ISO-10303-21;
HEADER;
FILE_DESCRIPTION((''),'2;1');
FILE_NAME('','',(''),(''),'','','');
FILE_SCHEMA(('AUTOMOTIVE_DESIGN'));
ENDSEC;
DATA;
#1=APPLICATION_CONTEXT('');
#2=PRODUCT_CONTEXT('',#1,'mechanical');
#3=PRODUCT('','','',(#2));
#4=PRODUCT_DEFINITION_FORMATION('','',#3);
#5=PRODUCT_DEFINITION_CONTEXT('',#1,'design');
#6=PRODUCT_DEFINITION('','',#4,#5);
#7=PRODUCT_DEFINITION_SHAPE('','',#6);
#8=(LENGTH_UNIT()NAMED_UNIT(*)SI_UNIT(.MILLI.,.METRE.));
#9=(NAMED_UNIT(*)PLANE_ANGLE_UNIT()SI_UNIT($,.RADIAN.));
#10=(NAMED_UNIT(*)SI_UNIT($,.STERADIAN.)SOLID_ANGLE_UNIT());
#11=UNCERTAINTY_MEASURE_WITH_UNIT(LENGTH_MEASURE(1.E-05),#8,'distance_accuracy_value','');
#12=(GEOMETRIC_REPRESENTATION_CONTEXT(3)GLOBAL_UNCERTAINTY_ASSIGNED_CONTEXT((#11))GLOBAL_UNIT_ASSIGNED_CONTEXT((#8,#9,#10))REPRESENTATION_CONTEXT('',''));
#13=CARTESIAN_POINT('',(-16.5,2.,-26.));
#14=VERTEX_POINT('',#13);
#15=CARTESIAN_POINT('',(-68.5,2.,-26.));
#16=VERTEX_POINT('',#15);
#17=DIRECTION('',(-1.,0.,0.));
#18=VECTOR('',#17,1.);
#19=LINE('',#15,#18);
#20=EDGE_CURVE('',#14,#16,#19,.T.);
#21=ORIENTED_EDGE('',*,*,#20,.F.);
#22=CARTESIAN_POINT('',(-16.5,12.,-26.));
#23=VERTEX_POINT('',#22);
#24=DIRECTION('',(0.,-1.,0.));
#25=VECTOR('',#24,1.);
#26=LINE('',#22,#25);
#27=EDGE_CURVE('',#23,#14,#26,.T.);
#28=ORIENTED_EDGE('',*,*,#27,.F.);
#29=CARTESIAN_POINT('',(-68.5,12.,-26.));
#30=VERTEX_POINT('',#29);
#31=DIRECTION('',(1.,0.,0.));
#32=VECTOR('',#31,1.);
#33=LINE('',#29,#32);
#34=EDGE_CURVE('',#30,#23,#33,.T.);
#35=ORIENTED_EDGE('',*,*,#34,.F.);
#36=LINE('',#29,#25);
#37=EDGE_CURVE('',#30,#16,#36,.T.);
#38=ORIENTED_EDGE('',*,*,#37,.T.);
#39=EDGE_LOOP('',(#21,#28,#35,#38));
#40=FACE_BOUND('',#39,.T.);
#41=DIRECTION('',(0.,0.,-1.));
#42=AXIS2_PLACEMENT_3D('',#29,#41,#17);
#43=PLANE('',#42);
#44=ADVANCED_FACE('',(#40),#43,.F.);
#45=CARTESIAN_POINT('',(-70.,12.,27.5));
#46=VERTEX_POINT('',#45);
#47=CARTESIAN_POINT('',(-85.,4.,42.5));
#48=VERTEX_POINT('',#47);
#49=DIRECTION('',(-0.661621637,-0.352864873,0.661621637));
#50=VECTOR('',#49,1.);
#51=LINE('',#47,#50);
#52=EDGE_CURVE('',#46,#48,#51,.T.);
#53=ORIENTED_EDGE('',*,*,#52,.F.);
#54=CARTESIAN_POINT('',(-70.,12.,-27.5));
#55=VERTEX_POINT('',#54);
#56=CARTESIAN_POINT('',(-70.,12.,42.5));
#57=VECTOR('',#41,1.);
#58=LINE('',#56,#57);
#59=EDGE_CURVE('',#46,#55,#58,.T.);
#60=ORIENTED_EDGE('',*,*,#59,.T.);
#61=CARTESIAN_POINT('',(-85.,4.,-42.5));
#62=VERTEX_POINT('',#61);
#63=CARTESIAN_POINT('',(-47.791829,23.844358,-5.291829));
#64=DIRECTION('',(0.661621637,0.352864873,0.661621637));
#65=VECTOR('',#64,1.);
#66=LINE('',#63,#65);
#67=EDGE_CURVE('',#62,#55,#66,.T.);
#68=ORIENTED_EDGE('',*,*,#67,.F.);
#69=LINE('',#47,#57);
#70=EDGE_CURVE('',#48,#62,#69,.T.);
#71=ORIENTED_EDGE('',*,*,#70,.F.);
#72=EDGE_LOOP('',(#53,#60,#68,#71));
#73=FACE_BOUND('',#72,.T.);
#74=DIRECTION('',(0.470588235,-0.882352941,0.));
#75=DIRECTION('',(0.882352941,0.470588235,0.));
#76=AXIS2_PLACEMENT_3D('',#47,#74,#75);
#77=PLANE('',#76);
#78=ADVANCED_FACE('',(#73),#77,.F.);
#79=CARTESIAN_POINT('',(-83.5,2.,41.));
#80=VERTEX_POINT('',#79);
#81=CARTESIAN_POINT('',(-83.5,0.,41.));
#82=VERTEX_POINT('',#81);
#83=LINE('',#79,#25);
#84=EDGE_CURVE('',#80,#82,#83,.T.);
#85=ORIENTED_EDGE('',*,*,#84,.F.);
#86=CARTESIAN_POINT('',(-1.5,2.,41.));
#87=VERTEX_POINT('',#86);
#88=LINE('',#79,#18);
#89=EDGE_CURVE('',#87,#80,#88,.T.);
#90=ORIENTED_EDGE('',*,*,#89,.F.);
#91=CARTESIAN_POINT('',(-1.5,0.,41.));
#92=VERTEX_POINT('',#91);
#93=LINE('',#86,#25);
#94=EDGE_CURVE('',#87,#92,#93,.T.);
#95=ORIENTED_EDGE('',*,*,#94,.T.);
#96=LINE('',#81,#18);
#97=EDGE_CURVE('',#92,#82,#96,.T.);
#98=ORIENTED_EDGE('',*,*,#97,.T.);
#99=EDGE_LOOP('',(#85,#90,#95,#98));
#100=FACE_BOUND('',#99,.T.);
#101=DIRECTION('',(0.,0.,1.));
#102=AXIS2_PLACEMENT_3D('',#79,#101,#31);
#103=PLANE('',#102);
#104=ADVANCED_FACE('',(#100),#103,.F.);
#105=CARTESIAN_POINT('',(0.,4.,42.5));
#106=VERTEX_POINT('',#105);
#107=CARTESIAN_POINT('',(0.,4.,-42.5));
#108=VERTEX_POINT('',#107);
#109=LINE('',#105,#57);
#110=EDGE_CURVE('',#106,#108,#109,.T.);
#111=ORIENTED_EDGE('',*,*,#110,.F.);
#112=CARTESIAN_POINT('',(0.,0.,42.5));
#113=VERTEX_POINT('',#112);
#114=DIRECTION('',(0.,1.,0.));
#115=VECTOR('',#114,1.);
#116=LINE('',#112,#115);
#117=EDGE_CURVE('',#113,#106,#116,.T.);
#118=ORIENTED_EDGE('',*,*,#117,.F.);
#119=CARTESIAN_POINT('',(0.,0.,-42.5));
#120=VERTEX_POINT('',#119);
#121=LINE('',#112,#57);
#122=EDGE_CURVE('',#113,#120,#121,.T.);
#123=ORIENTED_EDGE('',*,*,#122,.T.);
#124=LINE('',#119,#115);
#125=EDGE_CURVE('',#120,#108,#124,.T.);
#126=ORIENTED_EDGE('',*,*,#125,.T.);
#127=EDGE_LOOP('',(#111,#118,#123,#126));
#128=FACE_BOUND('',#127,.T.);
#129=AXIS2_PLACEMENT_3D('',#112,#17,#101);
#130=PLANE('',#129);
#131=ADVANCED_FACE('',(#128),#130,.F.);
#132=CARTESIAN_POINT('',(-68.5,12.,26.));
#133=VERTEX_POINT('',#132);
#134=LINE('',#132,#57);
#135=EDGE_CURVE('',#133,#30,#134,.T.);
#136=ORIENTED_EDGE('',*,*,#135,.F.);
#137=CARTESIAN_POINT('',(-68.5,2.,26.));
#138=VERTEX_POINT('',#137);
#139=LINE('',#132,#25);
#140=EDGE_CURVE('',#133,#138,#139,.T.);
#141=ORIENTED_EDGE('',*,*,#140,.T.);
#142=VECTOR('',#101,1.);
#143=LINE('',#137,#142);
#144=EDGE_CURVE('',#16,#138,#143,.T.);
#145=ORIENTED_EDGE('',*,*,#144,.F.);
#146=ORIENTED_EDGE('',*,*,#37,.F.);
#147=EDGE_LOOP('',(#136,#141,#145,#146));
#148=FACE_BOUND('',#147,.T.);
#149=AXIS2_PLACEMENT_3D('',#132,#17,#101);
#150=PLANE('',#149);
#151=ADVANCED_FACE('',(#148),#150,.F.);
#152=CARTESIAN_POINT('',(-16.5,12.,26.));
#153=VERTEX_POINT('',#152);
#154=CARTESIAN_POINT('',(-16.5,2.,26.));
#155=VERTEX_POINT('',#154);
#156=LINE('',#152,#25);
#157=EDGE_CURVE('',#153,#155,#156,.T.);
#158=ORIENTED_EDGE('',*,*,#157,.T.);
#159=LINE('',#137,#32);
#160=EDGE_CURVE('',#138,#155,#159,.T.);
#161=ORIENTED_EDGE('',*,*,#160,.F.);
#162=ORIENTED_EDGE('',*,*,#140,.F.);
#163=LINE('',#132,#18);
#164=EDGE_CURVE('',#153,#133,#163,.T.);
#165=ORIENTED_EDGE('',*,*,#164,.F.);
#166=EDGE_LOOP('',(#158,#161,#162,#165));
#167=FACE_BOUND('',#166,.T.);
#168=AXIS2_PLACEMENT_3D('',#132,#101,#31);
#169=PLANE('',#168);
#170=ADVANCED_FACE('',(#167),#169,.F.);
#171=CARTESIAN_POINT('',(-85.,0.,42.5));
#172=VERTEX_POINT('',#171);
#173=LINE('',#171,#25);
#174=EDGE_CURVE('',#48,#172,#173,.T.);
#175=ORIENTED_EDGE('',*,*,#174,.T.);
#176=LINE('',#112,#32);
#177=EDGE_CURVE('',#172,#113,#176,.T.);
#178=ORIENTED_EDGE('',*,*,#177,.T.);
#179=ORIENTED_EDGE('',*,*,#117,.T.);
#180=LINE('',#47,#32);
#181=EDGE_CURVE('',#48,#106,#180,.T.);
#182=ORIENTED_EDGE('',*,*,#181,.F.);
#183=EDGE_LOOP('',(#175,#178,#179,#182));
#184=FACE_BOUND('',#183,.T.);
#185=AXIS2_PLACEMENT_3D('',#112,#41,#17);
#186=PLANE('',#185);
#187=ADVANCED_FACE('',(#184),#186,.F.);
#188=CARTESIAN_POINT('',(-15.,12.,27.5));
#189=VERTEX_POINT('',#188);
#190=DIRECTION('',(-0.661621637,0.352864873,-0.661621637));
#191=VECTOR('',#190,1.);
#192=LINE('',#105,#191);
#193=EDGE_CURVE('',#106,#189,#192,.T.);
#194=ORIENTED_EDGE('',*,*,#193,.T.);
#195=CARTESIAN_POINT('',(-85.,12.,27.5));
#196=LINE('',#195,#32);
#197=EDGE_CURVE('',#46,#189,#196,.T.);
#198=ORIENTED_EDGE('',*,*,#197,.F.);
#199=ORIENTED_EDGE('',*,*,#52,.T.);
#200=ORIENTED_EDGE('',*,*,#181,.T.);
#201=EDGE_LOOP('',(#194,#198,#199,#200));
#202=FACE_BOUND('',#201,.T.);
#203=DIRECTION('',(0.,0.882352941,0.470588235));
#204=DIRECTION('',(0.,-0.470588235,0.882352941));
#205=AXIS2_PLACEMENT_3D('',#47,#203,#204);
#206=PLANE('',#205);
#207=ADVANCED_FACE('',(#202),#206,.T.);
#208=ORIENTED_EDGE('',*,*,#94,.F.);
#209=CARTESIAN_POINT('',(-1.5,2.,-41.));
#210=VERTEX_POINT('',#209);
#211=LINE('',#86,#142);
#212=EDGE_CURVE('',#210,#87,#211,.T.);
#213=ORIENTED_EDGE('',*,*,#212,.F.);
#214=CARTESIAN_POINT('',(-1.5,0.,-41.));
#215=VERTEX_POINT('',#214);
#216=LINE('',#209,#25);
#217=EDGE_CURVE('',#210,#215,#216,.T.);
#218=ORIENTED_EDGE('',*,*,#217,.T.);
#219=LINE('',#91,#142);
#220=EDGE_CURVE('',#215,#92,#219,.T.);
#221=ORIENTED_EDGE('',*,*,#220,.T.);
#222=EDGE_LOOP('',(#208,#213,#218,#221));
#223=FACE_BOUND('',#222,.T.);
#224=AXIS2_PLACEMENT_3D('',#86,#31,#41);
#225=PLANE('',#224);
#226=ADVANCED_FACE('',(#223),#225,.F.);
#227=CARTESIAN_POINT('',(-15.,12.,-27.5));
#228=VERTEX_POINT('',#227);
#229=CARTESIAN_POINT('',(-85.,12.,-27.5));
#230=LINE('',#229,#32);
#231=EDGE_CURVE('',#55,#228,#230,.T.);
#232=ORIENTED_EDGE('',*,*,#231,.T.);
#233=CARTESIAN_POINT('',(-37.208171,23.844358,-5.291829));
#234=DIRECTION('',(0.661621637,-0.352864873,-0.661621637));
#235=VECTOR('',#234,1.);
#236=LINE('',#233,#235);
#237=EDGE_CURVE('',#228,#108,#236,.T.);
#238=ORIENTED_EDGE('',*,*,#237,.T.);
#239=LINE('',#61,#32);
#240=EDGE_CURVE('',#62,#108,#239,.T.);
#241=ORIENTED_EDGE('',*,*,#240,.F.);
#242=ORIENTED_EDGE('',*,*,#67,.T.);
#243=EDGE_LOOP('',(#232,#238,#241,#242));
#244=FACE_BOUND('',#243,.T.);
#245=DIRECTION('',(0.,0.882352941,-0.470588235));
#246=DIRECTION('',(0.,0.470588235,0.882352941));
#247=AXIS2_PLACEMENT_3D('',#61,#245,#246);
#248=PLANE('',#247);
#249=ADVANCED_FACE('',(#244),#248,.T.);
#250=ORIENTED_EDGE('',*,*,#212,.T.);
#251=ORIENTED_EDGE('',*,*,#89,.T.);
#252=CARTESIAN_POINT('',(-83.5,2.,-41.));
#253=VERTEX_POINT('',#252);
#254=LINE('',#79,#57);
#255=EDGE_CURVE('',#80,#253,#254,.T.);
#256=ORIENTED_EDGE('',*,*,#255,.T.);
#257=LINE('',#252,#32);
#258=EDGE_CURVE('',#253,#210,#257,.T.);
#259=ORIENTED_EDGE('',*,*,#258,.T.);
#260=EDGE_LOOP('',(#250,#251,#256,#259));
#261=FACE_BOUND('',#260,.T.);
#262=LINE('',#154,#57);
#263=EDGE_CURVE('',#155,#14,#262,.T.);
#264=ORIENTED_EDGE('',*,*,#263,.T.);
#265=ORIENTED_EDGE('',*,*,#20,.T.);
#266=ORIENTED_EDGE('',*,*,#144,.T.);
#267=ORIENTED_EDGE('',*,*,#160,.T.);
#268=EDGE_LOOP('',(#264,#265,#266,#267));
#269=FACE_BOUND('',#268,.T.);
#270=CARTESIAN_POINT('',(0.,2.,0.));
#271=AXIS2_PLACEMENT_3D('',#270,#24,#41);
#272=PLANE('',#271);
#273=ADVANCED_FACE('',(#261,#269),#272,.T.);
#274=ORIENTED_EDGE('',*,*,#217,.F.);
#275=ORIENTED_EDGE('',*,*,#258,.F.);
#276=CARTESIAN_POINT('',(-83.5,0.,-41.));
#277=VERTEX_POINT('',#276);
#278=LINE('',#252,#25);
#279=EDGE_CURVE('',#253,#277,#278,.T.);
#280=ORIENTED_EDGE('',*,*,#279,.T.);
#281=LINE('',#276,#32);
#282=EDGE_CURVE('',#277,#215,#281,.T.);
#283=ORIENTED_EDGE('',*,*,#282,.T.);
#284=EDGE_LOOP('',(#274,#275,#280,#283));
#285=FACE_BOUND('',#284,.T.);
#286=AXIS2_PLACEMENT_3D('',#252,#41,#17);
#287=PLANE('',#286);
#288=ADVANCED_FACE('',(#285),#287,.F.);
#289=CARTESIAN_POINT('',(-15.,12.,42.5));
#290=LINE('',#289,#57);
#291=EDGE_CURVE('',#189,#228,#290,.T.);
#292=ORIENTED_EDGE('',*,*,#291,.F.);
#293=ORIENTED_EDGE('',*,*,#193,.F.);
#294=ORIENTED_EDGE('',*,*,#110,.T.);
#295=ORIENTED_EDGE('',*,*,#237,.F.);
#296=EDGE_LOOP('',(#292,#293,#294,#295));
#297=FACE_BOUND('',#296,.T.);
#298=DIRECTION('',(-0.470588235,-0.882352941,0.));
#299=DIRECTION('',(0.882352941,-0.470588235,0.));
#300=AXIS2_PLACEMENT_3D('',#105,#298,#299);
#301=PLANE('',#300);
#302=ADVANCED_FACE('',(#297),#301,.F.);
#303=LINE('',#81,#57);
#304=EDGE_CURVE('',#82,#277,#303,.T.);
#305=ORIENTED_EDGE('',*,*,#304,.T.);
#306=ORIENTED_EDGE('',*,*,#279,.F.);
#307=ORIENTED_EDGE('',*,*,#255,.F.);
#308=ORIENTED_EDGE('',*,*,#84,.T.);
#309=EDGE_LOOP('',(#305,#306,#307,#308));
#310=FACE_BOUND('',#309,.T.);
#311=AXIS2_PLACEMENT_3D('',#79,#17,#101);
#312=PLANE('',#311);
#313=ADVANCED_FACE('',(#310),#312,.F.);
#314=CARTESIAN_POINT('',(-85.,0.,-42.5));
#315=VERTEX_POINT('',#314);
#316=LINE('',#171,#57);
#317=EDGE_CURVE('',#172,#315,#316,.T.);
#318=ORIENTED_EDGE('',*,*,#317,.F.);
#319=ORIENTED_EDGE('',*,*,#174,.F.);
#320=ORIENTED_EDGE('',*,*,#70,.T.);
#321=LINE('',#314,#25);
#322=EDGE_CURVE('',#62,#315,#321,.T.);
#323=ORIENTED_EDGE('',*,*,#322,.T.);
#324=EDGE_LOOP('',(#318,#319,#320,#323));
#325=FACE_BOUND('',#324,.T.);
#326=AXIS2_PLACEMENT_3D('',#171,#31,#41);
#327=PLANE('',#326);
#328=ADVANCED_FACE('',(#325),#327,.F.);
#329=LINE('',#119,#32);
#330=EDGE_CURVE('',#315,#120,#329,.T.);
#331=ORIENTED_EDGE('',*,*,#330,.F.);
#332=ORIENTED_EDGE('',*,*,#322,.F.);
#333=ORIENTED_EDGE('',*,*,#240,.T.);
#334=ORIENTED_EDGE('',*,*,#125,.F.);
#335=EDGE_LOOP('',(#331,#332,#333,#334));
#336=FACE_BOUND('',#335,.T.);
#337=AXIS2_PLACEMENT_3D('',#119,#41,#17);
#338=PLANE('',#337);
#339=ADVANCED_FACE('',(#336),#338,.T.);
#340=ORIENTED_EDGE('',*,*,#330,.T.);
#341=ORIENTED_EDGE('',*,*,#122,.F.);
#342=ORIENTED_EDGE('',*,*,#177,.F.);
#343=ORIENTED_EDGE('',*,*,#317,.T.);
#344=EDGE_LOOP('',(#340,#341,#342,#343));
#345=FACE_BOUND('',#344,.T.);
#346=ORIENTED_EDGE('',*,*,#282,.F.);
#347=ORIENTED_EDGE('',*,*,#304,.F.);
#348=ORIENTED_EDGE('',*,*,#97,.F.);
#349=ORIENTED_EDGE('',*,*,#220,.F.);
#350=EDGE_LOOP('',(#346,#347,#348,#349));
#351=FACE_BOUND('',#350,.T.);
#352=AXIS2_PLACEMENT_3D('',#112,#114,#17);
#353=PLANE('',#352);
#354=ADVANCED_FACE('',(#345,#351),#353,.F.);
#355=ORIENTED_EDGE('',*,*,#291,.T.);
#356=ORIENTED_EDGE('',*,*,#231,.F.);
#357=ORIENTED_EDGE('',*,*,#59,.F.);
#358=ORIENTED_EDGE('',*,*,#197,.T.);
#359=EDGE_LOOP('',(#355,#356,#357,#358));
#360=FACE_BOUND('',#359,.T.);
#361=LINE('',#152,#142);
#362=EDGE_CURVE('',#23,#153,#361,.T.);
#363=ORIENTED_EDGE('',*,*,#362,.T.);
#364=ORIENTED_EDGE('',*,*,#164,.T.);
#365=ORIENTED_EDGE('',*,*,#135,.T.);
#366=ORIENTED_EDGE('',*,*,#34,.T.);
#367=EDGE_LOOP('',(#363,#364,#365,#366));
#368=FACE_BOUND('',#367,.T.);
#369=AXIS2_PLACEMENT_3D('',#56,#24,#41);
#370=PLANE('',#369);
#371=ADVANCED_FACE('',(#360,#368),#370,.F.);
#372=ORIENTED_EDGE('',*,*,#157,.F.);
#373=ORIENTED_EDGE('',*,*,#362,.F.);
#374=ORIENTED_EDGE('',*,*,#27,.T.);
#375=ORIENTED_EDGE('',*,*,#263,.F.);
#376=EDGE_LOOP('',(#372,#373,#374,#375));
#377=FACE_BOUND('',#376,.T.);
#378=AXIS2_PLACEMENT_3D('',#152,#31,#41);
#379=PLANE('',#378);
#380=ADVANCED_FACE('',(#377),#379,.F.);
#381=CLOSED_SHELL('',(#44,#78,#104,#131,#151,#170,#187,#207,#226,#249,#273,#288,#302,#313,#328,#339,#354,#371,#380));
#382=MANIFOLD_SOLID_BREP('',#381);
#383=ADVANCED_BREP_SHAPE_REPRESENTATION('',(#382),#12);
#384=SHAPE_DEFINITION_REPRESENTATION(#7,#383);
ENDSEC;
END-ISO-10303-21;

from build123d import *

# Parameters (mm, degrees)
EXTRUDE_1_DEPTH     = 42.5
SKETCH_2_OUTSIDE_W  = 111.162
SKETCH_2_OUTSIDE_H  = 38.162
CUT_EXTRUDE_1_DEPTH = 86
SKETCH_3_W          = 52
SKETCH_3_H          = 52
CUT_EXTRUDE_2_DEPTH = 13
SKETCH_4_W          = 82
SKETCH_4_H          = 82
CUT_EXTRUDE_3_DEPTH = 2


with BuildPart() as part:
    # Эскиз1 → Бобышка-Вытянуть1 (new body, symmetric)
    with BuildSketch(Plane.XY):
        Polygon((0, 0), (-85, 0), (-85, 4), (-70, 12), (-15, 12), (0, 4), align=None)
    extrude(amount=EXTRUDE_1_DEPTH, both=True)

    # Эскиз2 outside → Вырез-Вытянуть1 (cut, through all)
    with BuildSketch(Plane(origin=(0, 0, 0), x_dir=(0, 0, -1), z_dir=(1, 0, 0))):
        with Locations((0, 6)):
            Rectangle(SKETCH_2_OUTSIDE_W, SKETCH_2_OUTSIDE_H)
        Polygon((-42.5, 4), (-42.5, 0), (42.5, 0), (42.5, 4), (27.5, 12), (-27.5, 12), align=None, mode=Mode.SUBTRACT)
    extrude(amount=-CUT_EXTRUDE_1_DEPTH, mode=Mode.SUBTRACT)

    # Эскиз3 → Вырез-Вытянуть2 (cut, through all)
    with BuildSketch(Plane.XZ):
        with Locations((-42.5, 0)):
            Rectangle(SKETCH_3_W, SKETCH_3_H)
    extrude(amount=-CUT_EXTRUDE_2_DEPTH, mode=Mode.SUBTRACT)

    # Эскиз4 → Вырез-Вытянуть3 (cut)
    with BuildSketch(Plane.XZ):
        with Locations((-42.5, 0)):
            Rectangle(SKETCH_4_W, SKETCH_4_H)
    extrude(amount=-CUT_EXTRUDE_3_DEPTH, mode=Mode.SUBTRACT)


solid = part.part
